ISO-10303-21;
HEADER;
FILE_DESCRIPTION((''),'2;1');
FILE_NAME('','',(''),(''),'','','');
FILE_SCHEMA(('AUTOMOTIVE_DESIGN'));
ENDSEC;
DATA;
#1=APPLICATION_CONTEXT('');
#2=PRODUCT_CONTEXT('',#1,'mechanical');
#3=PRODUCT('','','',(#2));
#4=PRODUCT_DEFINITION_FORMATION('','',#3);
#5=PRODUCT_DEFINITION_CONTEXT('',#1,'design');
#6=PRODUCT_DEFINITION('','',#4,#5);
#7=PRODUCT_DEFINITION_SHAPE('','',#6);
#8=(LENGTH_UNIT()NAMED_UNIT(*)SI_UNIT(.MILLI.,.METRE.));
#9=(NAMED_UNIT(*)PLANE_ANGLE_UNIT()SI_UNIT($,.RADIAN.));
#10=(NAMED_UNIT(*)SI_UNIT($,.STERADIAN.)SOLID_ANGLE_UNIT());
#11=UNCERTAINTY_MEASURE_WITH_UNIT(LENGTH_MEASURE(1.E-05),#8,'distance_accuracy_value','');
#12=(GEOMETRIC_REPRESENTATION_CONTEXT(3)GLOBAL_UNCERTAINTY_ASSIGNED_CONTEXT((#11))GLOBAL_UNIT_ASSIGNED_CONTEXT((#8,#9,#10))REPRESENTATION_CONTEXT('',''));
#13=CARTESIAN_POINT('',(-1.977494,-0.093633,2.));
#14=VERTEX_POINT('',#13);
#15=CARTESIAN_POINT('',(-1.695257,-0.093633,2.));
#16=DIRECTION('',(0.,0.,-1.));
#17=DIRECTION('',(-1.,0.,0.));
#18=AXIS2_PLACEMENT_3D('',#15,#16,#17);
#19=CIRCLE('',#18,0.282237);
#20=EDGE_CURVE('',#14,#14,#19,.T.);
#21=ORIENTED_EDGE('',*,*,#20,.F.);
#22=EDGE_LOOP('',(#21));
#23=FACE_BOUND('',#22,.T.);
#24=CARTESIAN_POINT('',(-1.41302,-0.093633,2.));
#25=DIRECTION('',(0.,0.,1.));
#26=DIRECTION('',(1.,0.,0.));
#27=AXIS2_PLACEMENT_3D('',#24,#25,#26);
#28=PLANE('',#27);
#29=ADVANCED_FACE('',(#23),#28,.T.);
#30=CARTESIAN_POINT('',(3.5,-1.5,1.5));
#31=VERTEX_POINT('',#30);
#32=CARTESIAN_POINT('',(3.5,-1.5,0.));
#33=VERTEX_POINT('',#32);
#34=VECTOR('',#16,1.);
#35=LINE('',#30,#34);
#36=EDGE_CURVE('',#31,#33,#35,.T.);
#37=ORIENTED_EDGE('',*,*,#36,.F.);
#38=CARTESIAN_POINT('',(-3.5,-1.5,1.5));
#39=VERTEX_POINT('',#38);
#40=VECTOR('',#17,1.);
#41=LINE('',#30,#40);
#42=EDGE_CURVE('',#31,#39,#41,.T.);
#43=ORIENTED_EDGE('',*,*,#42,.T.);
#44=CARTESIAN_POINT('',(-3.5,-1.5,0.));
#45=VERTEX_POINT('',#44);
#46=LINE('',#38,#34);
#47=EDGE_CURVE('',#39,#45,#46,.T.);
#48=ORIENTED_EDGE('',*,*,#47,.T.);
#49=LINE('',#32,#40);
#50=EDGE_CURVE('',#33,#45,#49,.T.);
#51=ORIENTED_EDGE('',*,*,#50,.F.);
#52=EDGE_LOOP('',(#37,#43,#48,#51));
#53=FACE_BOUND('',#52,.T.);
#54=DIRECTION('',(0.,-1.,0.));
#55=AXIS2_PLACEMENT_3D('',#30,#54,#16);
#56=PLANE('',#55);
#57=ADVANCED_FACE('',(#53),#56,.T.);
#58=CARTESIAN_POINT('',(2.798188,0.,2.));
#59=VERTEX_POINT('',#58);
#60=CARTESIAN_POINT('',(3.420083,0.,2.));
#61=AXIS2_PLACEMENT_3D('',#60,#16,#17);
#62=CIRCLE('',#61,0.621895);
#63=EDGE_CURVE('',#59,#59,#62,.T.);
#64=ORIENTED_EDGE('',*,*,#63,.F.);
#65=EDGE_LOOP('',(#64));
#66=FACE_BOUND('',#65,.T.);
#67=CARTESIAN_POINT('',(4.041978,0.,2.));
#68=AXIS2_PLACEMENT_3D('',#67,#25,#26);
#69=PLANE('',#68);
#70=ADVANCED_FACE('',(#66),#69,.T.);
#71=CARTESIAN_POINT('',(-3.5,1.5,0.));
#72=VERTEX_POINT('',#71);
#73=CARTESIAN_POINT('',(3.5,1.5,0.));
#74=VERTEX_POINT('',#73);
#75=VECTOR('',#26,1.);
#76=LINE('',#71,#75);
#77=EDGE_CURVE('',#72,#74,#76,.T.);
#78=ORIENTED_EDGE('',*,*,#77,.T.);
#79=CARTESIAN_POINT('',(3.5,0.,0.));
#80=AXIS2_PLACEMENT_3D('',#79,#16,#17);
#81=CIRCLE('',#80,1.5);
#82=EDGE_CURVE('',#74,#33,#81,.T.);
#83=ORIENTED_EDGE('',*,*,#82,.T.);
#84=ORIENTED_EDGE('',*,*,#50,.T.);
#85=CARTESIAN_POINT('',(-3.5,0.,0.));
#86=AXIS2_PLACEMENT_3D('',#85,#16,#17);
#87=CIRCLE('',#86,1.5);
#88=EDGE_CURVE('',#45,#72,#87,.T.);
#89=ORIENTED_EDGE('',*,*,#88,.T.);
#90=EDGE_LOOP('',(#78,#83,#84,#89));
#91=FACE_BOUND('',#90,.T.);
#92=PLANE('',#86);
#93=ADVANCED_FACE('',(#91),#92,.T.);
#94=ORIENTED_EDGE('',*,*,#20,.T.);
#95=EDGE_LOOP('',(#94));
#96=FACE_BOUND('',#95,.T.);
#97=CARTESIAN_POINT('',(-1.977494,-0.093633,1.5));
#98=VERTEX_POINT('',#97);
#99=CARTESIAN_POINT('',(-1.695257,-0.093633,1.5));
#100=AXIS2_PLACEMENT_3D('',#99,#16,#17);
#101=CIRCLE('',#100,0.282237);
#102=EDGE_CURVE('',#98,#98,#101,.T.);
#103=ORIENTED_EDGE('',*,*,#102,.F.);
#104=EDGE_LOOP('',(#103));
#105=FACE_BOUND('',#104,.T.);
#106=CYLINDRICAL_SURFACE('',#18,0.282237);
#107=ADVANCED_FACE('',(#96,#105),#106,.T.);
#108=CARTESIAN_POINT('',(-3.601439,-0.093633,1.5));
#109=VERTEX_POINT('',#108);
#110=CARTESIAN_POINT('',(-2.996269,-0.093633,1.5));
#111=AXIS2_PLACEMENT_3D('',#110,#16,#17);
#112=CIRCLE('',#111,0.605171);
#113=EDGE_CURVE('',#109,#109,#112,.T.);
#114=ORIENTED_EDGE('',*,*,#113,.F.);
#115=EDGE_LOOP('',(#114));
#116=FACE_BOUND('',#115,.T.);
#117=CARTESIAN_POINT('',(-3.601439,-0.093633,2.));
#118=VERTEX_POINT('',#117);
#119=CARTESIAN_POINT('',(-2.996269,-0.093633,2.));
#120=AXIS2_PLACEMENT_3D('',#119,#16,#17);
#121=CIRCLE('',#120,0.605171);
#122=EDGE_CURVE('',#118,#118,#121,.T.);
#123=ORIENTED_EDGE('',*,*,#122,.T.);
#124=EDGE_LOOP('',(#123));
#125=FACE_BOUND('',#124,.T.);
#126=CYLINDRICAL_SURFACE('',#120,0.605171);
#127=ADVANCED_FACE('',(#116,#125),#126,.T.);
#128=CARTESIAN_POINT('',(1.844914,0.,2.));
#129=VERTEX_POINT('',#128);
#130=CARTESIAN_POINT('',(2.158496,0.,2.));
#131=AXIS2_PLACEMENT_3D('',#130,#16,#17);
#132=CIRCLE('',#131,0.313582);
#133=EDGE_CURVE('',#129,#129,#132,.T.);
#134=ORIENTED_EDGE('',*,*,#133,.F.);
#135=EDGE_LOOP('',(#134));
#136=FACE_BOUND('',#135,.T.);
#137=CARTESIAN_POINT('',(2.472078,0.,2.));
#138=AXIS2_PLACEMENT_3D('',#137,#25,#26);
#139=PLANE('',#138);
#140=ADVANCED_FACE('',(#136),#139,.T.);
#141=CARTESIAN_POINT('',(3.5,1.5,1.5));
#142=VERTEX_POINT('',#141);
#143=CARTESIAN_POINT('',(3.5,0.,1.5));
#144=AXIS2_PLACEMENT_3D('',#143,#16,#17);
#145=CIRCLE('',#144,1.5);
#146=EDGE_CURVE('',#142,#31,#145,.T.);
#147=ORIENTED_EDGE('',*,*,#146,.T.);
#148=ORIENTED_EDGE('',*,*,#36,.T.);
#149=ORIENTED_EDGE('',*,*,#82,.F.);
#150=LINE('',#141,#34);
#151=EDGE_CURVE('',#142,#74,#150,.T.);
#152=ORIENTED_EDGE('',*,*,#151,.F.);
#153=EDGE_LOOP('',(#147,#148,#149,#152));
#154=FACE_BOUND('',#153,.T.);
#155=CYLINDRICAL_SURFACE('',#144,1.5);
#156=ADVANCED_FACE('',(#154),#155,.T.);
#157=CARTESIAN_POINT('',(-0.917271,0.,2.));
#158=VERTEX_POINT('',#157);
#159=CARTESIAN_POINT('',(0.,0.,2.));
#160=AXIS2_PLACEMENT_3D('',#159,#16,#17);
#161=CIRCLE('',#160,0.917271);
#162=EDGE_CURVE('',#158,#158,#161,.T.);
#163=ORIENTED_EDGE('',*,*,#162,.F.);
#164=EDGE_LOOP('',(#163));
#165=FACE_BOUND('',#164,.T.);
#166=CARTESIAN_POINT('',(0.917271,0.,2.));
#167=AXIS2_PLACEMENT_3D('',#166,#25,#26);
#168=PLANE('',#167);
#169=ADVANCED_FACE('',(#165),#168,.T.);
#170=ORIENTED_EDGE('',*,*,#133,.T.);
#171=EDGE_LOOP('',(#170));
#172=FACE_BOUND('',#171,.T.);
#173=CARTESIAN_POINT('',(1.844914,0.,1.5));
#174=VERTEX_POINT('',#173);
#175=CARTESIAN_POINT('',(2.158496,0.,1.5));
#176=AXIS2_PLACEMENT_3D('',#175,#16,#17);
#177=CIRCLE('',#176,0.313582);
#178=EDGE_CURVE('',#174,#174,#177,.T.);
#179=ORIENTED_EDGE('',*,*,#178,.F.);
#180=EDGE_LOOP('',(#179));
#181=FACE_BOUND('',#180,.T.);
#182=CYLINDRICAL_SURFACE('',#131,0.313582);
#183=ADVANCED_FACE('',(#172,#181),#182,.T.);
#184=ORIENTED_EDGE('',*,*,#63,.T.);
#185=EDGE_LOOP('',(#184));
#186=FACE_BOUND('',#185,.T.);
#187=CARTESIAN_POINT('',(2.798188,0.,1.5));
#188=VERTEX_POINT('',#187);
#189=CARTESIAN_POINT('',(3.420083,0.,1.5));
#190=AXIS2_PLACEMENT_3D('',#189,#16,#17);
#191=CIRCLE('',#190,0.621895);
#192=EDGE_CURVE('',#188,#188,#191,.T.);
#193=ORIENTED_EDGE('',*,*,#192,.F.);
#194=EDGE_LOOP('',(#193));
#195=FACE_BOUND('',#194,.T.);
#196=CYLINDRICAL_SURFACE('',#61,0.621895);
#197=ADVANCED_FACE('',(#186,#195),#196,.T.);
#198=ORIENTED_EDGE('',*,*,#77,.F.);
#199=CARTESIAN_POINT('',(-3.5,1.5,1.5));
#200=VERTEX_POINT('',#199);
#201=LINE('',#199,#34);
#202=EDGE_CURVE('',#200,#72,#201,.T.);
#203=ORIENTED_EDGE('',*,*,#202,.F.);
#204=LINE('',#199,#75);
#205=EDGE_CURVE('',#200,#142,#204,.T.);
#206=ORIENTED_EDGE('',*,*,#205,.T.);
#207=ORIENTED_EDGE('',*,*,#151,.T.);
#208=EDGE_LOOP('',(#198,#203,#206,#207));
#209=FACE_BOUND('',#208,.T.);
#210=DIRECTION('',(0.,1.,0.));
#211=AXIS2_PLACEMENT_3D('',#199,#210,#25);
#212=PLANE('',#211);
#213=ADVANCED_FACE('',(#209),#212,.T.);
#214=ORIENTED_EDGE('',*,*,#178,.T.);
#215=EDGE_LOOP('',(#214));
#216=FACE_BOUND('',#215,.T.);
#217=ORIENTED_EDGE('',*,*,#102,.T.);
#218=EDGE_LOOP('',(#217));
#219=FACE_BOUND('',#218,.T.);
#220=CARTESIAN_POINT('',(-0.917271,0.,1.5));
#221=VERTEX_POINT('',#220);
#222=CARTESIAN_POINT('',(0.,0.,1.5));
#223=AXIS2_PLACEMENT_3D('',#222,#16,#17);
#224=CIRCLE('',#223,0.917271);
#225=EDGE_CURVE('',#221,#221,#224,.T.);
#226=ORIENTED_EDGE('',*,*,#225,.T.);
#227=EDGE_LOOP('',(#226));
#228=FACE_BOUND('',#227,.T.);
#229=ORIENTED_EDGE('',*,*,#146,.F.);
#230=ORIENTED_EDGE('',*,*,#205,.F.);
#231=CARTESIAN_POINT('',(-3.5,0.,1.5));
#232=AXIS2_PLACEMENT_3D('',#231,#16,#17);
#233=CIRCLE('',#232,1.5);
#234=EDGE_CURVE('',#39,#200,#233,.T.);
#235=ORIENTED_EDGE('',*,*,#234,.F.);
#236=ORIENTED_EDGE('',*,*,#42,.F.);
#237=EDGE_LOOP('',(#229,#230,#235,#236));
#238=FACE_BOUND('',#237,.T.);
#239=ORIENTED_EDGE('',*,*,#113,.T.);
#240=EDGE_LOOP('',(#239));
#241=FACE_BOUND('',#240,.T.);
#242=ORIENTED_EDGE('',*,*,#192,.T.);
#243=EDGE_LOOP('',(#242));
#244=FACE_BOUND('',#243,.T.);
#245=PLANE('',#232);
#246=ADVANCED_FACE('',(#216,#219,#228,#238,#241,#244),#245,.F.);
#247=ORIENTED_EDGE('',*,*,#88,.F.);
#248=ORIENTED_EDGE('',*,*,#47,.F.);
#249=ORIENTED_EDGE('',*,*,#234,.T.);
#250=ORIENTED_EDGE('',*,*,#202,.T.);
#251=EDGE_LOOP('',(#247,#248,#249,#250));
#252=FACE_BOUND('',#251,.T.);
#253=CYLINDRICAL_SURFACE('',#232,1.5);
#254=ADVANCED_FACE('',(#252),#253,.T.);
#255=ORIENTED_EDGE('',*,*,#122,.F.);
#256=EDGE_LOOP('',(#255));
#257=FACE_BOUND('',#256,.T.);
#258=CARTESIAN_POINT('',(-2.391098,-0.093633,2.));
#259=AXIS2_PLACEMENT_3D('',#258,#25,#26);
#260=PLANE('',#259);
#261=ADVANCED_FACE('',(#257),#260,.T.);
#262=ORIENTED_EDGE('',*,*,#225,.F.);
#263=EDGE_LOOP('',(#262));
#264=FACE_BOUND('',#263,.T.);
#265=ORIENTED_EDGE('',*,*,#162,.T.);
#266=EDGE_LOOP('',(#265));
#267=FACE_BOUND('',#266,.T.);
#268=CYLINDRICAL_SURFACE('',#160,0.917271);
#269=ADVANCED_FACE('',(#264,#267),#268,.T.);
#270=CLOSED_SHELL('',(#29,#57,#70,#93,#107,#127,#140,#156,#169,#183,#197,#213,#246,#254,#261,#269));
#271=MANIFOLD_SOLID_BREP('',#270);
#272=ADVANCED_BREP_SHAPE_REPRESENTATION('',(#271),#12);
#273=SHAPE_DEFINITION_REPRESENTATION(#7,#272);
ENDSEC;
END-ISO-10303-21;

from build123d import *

# Parameters (mm, degrees)
BOSS_EXTRUDE1_DEPTH = 1.5
SKETCH2_W           = 0.621894726
SKETCH2_H           = 0.5
SKETCH3_W           = 0.313581939
SKETCH3_H           = 0.5
SKETCH4_W           = 0.917270519
SKETCH4_H           = 0.5
SKETCH5_W           = 0.282237083
SKETCH5_H           = 0.5
SKETCH6_W           = 0.605170604
SKETCH6_H           = 0.5


with BuildPart() as part:
    # Sketch1 → Boss-Extrude1 (new body)
    with BuildSketch(Plane(origin=(0, 0, 0), x_dir=(-1, 0, 0), z_dir=(0, 0, -1))):
        with BuildLine():
            Line((3.5, 1.5), (-3.5, 1.5))
            ThreePointArc((-3.5, 1.5), (-5, 0), (-3.5, -1.5))
            Line((-3.5, -1.5), (3.5, -1.5))
            ThreePointArc((3.5, -1.5), (5, 0), (3.5, 1.5))
        make_face()
    extrude(amount=-BOSS_EXTRUDE1_DEPTH)

    # Sketch2 → Revolve1 (revolve)
    with BuildSketch(Plane.XZ, mode=Mode.PRIVATE) as revolve1_sk:
        with Locations((3.731030185, 1.75)):
            Rectangle(SKETCH2_W, SKETCH2_H)
    revolve(revolve1_sk.sketch.rotate(Axis((3.420082822, 0, 2), (0, 0, -1)), 180), axis=Axis((3.420082822, 0, 2), (0, 0, -1)))

    # Sketch3 → Revolve2 (revolve)
    with BuildSketch(Plane.XZ, mode=Mode.PRIVATE) as revolve2_sk:
        with Locations((2.315287044, 1.75)):
            Rectangle(SKETCH3_W, SKETCH3_H)
    revolve(revolve2_sk.sketch.rotate(Axis((2.158496075, 0, 2), (0, 0, -1)), 180), axis=Axis((2.158496075, 0, 2), (0, 0, -1)))

    # Sketch4 → Revolve3 (revolve)
    with BuildSketch(Plane.XZ, mode=Mode.PRIVATE) as revolve3_sk:
        with Locations((0.45863526, 1.75)):
            Rectangle(SKETCH4_W, SKETCH4_H)
    revolve(revolve3_sk.sketch.rotate(Axis((0, 0, 2), (0, 0, -1)), 180), axis=Axis((0, 0, 2), (0, 0, -1)))

    # Sketch5 → Revolve4 (revolve)
    with BuildSketch(Plane.XZ.offset(0.093633391), mode=Mode.PRIVATE) as revolve4_sk:
        with Locations((-1.554138651, 1.75)):
            Rectangle(SKETCH5_W, SKETCH5_H)
    revolve(revolve4_sk.sketch.rotate(Axis((-1.695257192, -0.093633391, 2), (0, 0, -1)), 180), axis=Axis((-1.695257192, -0.093633391, 2), (0, 0, -1)))

    # Sketch6 → Revolve5 (revolve)
    with BuildSketch(Plane.XZ.offset(0.093633391), mode=Mode.PRIVATE) as revolve5_sk:
        with Locations((-2.693683223, 1.75)):
            Rectangle(SKETCH6_W, SKETCH6_H)
    revolve(revolve5_sk.sketch.rotate(Axis((-2.996268525, -0.093633391, 2), (0, 0, -1)), 180), axis=Axis((-2.996268525, -0.093633391, 2), (0, 0, -1)))


solid = part.part
